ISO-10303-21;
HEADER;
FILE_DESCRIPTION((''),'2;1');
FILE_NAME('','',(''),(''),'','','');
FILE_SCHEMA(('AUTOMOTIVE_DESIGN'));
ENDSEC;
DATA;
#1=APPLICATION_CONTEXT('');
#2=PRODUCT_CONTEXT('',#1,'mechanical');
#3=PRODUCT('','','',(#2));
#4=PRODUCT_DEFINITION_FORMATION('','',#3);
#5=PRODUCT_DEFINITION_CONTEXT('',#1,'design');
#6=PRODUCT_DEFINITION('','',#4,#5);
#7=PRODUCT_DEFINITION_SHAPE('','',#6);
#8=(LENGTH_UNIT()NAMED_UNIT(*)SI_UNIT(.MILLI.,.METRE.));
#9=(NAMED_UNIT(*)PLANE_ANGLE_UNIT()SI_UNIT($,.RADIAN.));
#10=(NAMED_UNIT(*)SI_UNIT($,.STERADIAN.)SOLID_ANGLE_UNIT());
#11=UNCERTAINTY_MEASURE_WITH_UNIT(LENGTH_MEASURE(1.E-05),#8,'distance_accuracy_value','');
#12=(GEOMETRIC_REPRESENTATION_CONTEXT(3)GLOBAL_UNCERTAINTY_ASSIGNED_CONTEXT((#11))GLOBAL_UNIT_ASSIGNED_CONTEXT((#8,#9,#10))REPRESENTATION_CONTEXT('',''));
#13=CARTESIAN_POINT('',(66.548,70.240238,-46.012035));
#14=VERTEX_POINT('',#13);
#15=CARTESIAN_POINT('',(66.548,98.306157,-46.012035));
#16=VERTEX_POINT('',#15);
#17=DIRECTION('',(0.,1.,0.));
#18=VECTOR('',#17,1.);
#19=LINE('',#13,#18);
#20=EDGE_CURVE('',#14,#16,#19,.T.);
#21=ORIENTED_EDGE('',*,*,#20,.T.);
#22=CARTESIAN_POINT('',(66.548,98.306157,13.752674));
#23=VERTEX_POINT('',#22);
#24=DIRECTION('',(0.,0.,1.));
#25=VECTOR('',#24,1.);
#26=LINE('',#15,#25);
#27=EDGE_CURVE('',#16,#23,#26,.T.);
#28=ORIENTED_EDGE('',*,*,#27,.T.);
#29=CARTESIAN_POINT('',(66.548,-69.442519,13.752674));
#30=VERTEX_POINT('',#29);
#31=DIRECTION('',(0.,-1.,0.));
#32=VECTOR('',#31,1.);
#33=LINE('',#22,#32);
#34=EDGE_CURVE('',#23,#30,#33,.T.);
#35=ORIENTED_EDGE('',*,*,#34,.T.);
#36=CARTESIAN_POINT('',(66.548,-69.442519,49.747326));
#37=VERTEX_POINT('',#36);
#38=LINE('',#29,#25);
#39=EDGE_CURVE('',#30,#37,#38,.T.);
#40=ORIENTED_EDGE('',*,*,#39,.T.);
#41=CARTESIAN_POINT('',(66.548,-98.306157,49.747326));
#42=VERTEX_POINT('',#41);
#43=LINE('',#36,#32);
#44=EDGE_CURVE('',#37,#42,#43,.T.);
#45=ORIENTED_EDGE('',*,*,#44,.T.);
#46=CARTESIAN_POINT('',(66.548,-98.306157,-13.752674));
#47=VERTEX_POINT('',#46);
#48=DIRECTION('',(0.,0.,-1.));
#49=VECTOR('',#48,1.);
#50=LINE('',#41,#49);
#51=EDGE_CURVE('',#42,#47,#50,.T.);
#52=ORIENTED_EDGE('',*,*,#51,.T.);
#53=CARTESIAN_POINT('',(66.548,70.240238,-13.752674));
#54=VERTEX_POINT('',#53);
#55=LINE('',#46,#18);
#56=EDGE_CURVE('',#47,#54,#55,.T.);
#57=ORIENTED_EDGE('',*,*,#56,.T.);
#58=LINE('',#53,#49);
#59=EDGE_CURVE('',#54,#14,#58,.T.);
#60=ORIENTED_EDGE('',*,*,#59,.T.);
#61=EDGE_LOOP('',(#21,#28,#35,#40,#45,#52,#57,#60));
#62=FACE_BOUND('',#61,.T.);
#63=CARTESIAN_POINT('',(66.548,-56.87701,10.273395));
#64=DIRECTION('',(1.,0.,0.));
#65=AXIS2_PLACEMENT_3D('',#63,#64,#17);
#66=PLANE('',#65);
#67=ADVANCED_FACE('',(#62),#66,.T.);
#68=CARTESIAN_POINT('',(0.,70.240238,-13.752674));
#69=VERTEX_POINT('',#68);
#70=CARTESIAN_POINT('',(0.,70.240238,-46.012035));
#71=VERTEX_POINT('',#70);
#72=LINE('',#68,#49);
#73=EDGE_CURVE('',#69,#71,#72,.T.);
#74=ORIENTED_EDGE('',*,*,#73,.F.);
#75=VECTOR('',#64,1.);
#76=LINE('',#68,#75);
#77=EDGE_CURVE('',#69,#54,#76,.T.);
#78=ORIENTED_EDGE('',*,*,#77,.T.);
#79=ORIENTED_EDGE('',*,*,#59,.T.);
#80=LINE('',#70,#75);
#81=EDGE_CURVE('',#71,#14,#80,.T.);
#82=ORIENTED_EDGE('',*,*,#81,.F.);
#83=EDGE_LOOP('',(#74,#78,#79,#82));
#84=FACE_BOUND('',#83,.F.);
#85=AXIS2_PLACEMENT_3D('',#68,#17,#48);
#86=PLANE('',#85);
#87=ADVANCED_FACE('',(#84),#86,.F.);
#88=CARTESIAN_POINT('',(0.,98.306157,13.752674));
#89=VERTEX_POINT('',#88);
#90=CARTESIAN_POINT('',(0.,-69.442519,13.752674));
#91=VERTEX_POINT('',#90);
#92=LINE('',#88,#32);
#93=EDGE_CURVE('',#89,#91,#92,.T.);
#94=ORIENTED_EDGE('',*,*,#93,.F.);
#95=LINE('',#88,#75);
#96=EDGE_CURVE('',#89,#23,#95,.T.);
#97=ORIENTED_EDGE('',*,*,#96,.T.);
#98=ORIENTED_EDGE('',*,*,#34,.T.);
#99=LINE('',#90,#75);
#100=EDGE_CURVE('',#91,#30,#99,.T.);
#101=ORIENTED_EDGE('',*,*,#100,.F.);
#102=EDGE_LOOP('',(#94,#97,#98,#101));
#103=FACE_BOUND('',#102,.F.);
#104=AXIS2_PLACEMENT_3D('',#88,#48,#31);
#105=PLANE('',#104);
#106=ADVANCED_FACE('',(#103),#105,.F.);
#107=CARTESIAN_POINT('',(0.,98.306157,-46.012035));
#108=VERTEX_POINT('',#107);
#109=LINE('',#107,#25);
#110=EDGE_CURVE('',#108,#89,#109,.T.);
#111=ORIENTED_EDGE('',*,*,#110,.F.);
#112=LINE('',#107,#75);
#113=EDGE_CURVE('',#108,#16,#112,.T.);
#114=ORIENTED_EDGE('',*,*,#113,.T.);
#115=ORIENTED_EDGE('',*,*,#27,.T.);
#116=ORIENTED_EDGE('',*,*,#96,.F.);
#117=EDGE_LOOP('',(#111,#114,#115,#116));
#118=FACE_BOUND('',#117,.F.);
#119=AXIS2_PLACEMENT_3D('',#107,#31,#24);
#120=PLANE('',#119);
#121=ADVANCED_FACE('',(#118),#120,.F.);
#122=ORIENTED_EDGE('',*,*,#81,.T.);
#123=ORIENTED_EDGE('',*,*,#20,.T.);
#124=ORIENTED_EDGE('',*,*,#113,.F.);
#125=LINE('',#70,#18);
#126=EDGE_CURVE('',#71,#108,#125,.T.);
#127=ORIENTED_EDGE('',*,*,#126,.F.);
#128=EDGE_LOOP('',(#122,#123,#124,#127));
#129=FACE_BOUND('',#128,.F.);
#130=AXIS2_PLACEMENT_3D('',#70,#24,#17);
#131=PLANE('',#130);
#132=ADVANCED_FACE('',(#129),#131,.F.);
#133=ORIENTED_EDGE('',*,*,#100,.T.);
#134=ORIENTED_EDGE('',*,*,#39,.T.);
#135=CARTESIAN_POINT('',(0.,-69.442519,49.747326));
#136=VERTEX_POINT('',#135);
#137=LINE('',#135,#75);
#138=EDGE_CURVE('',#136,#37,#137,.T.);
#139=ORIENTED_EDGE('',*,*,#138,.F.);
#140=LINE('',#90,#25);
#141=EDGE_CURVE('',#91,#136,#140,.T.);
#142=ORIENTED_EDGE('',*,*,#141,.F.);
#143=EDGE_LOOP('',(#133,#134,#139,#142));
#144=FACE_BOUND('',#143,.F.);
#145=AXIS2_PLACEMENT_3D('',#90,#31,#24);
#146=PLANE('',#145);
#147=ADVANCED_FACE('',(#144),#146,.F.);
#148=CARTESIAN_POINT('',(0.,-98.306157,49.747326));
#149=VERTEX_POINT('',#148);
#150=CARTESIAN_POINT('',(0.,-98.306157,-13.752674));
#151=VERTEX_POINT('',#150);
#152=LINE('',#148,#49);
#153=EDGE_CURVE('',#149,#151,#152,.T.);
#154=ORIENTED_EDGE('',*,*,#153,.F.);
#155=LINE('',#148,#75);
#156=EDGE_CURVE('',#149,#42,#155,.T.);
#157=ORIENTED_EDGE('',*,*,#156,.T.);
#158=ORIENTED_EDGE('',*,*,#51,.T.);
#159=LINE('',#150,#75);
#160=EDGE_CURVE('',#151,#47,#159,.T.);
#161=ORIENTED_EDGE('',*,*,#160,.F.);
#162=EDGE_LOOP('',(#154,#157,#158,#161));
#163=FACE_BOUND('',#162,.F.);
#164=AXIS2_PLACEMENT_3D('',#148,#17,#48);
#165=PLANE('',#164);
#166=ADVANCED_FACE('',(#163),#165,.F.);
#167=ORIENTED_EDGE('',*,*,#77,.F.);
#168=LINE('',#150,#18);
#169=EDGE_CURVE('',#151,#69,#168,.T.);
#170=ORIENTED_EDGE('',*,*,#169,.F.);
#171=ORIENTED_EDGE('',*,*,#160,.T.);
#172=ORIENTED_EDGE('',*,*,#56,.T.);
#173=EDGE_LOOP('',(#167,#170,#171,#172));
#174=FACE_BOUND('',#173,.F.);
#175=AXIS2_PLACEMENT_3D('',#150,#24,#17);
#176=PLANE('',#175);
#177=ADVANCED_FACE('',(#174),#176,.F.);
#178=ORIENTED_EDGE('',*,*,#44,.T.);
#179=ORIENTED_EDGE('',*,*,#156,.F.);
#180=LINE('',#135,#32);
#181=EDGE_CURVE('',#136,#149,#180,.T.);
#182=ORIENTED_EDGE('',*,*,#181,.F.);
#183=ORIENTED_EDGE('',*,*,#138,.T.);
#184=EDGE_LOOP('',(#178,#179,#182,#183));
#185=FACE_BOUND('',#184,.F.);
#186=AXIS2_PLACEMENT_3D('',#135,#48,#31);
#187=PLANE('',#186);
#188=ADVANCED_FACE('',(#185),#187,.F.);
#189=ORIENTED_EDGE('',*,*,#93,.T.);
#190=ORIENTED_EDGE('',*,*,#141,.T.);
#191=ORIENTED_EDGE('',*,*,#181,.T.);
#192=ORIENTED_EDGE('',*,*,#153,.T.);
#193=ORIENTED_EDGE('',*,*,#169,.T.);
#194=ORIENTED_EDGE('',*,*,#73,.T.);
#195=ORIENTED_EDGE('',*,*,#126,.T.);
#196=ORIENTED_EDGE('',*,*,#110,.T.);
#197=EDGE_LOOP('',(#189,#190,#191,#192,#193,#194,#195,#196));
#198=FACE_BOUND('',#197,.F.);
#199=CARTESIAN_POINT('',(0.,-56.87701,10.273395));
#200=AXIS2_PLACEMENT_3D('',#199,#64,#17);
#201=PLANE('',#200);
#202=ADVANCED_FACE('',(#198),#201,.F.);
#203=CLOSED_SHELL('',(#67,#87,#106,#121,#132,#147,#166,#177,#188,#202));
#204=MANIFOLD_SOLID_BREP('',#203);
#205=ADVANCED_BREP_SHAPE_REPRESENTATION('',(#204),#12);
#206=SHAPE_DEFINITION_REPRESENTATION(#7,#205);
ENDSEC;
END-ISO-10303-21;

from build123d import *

# Parameters (mm, degrees)
F1_DEPTH = 66.548


with BuildPart() as f1:
    # F0 (on Right) → F1 (new body)
    with BuildSketch(Plane.YZ):
        Polygon((-98.306157, 13.752674), (-98.306157, -13.752674), (0, -13.752674), (0, 13.752674), (-69.442519, 13.752674), (-69.442519, 49.747326), (-98.306157, 49.747326), align=None)
        Polygon((0, 13.752674), (0, -13.752674), (70.240238, -13.752674), (70.240238, -46.012035), (98.306157, -46.012035), (98.306157, -13.752674), (98.306157, 13.752674), align=None)
    extrude(amount=F1_DEPTH)


solid = f1.part
